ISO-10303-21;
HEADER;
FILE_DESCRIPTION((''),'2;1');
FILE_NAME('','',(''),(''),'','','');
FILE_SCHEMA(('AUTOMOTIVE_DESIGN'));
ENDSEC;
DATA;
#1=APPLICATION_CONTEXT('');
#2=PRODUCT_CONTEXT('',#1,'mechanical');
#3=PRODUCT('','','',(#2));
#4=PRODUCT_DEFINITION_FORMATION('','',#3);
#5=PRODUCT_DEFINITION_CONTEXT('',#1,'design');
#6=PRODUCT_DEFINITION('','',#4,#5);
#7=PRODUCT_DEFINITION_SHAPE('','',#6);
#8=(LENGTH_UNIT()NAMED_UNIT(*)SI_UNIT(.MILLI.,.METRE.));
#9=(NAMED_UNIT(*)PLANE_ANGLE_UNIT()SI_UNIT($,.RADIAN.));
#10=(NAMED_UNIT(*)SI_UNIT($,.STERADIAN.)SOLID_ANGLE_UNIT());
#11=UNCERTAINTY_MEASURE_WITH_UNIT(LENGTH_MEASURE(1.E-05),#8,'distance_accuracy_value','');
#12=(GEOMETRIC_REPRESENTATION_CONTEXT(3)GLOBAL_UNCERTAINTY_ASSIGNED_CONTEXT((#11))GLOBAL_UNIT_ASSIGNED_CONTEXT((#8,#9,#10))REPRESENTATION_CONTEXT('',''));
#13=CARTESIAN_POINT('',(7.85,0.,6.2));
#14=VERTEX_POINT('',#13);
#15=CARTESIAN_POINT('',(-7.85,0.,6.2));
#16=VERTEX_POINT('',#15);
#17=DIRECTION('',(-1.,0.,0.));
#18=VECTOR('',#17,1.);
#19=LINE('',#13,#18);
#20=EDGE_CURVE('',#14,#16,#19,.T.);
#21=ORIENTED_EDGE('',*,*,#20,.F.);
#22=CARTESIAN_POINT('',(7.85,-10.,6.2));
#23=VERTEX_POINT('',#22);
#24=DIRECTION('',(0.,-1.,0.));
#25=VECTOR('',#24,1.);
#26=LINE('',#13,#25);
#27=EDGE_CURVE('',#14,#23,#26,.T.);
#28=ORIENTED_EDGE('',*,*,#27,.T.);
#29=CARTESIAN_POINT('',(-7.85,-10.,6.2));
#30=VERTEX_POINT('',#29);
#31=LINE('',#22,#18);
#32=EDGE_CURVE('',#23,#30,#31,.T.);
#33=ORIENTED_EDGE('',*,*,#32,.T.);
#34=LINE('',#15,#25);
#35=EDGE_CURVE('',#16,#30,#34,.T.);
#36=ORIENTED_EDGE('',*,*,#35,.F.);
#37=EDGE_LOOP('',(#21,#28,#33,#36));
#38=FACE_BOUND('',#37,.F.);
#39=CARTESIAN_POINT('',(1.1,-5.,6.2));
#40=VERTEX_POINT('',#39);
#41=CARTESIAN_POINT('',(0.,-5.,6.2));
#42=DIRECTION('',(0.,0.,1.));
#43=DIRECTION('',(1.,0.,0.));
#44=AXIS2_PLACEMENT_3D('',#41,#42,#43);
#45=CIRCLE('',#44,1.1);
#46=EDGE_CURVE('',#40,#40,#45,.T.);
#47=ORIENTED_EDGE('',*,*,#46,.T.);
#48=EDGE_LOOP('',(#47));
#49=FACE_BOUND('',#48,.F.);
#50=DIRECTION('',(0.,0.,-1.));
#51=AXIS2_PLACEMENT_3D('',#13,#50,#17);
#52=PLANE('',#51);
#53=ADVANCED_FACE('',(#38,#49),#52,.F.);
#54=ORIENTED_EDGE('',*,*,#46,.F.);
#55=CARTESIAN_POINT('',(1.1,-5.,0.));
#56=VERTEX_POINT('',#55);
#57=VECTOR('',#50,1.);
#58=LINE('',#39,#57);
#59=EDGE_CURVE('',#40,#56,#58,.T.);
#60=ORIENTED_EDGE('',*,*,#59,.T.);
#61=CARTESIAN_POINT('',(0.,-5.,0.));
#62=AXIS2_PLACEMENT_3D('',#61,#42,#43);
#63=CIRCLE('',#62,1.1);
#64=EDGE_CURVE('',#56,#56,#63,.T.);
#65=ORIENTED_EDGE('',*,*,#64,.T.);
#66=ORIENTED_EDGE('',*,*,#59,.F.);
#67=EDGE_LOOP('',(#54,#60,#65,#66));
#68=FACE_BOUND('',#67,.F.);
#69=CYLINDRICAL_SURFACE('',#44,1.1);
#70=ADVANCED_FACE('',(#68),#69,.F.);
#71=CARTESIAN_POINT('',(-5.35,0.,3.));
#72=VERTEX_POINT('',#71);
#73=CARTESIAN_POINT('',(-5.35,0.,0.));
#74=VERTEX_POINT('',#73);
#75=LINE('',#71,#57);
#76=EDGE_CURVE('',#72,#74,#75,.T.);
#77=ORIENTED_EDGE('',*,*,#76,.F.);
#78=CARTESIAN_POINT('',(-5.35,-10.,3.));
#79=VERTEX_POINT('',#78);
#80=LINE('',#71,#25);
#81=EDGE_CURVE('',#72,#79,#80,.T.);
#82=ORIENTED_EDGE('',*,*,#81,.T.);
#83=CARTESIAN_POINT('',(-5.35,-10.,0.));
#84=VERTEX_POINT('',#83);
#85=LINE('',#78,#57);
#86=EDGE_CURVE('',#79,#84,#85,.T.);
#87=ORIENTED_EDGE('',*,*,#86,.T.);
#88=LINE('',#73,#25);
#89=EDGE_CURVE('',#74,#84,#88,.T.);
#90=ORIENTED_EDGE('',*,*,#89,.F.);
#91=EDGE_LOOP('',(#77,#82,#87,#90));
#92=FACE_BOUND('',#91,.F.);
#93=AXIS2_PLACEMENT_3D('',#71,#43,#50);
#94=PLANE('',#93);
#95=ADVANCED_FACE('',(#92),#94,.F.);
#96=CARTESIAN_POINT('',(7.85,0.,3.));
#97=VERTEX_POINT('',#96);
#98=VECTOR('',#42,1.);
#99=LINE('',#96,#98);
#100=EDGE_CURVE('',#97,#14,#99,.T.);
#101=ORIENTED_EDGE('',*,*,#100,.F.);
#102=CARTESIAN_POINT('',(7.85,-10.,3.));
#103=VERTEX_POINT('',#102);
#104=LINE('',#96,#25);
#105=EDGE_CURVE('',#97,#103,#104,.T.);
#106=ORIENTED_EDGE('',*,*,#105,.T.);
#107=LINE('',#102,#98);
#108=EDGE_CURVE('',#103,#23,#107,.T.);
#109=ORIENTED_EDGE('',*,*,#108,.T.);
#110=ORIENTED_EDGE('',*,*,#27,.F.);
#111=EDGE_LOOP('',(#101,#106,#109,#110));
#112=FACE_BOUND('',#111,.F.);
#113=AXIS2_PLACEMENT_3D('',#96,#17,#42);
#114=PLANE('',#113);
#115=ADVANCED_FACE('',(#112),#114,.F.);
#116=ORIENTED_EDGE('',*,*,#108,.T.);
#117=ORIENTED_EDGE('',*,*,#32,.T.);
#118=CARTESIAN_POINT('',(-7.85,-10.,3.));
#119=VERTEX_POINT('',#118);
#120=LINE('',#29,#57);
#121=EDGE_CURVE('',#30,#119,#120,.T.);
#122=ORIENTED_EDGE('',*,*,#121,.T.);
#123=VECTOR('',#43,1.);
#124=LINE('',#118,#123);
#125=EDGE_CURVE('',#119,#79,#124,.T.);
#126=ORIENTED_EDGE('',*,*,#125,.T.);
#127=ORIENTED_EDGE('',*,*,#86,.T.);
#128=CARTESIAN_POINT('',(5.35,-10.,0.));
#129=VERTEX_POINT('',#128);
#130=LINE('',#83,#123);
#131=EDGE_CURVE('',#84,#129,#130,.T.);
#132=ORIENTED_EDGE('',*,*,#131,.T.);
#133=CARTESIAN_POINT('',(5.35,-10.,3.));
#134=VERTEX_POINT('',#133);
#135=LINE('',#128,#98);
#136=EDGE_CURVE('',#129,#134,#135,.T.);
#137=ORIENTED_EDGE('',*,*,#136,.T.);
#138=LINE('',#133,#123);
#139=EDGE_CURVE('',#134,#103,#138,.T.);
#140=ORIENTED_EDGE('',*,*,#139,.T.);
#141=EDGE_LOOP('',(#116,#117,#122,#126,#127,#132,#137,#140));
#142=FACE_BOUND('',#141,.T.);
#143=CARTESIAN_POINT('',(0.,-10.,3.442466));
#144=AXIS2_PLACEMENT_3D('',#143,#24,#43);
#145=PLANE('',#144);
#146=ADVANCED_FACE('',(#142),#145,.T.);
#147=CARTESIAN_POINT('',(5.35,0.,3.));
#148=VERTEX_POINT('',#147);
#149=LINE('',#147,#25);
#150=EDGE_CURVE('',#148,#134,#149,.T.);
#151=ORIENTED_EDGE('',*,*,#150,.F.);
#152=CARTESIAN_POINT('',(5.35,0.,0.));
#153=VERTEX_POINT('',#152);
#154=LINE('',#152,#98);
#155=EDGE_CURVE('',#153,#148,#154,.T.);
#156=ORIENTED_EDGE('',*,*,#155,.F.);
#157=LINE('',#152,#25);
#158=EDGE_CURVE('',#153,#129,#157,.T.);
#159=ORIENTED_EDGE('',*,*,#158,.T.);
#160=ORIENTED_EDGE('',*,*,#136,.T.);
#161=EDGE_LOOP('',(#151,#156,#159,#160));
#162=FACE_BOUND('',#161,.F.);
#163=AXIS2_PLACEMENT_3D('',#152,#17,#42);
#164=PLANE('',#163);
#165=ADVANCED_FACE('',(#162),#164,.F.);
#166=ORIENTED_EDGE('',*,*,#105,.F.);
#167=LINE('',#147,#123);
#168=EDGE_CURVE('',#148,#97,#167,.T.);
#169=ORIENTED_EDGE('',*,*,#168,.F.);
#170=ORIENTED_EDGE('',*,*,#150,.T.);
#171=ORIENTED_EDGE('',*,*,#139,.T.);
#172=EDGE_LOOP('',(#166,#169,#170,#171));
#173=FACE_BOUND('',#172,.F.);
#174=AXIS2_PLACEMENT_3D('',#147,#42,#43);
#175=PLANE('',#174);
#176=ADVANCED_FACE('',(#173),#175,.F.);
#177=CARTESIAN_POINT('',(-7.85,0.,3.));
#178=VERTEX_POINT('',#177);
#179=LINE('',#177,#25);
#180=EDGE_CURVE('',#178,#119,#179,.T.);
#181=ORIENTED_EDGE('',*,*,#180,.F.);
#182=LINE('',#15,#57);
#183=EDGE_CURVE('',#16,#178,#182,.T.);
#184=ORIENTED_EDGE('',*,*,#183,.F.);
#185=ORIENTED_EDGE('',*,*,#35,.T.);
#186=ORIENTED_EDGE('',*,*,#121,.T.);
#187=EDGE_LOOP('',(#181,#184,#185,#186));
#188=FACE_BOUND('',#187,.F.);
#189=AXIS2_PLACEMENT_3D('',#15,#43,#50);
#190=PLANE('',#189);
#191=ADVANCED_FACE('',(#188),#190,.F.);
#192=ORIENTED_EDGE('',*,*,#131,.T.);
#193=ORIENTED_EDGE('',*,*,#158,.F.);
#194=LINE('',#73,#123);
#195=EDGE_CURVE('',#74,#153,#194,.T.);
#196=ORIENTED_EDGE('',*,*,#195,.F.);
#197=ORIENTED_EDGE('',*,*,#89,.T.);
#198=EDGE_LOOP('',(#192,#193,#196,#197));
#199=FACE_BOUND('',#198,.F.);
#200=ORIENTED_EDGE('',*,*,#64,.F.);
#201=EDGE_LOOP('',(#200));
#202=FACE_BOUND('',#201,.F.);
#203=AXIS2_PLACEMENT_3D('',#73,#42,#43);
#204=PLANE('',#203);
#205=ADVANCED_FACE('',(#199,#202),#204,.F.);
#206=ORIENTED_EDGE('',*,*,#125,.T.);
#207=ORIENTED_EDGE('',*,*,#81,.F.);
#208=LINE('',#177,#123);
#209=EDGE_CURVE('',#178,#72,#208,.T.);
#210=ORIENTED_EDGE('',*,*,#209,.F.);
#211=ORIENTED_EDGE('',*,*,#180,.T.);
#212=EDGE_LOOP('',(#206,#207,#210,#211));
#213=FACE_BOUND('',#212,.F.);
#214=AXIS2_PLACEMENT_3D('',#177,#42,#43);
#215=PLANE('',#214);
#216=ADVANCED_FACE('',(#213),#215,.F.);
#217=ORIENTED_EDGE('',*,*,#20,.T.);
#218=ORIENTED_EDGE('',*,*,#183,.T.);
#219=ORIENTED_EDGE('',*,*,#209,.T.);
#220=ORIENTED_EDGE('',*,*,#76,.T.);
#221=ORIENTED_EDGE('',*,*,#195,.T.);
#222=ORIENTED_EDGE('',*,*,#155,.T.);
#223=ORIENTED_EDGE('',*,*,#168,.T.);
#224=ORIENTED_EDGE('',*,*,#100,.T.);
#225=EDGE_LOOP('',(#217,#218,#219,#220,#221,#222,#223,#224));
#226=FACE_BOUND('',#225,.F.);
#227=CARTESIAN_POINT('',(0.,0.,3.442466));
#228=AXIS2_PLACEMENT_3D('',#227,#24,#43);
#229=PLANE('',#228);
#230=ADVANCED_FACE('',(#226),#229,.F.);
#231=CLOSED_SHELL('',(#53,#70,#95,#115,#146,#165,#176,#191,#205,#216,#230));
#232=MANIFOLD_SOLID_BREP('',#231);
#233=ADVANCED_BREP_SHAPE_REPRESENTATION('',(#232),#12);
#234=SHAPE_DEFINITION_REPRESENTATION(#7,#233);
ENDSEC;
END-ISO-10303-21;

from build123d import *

# Parameters (mm, degrees)
F1_DEPTH = 10
F2_R     = 1.1
F3_DEPTH = 6.2


with BuildPart() as f1:
    # F0 (on Front) → F1 (new body)
    with BuildSketch(Plane.XZ):
        Polygon((-5.35, 3), (-5.35, 0), (5.35, 0), (5.35, 3), (7.85, 3), (7.85, 6.2), (-7.85, 6.2), (-7.85, 3), align=None)
    extrude(amount=F1_DEPTH)

    # F2 (on face) → F3 (cut, through all)
    with BuildSketch(Plane.XY.offset(6.2)):
        with Locations((0, -5)):
            Circle(F2_R)
    extrude(amount=-F3_DEPTH, mode=Mode.SUBTRACT)


solid = f1.part
